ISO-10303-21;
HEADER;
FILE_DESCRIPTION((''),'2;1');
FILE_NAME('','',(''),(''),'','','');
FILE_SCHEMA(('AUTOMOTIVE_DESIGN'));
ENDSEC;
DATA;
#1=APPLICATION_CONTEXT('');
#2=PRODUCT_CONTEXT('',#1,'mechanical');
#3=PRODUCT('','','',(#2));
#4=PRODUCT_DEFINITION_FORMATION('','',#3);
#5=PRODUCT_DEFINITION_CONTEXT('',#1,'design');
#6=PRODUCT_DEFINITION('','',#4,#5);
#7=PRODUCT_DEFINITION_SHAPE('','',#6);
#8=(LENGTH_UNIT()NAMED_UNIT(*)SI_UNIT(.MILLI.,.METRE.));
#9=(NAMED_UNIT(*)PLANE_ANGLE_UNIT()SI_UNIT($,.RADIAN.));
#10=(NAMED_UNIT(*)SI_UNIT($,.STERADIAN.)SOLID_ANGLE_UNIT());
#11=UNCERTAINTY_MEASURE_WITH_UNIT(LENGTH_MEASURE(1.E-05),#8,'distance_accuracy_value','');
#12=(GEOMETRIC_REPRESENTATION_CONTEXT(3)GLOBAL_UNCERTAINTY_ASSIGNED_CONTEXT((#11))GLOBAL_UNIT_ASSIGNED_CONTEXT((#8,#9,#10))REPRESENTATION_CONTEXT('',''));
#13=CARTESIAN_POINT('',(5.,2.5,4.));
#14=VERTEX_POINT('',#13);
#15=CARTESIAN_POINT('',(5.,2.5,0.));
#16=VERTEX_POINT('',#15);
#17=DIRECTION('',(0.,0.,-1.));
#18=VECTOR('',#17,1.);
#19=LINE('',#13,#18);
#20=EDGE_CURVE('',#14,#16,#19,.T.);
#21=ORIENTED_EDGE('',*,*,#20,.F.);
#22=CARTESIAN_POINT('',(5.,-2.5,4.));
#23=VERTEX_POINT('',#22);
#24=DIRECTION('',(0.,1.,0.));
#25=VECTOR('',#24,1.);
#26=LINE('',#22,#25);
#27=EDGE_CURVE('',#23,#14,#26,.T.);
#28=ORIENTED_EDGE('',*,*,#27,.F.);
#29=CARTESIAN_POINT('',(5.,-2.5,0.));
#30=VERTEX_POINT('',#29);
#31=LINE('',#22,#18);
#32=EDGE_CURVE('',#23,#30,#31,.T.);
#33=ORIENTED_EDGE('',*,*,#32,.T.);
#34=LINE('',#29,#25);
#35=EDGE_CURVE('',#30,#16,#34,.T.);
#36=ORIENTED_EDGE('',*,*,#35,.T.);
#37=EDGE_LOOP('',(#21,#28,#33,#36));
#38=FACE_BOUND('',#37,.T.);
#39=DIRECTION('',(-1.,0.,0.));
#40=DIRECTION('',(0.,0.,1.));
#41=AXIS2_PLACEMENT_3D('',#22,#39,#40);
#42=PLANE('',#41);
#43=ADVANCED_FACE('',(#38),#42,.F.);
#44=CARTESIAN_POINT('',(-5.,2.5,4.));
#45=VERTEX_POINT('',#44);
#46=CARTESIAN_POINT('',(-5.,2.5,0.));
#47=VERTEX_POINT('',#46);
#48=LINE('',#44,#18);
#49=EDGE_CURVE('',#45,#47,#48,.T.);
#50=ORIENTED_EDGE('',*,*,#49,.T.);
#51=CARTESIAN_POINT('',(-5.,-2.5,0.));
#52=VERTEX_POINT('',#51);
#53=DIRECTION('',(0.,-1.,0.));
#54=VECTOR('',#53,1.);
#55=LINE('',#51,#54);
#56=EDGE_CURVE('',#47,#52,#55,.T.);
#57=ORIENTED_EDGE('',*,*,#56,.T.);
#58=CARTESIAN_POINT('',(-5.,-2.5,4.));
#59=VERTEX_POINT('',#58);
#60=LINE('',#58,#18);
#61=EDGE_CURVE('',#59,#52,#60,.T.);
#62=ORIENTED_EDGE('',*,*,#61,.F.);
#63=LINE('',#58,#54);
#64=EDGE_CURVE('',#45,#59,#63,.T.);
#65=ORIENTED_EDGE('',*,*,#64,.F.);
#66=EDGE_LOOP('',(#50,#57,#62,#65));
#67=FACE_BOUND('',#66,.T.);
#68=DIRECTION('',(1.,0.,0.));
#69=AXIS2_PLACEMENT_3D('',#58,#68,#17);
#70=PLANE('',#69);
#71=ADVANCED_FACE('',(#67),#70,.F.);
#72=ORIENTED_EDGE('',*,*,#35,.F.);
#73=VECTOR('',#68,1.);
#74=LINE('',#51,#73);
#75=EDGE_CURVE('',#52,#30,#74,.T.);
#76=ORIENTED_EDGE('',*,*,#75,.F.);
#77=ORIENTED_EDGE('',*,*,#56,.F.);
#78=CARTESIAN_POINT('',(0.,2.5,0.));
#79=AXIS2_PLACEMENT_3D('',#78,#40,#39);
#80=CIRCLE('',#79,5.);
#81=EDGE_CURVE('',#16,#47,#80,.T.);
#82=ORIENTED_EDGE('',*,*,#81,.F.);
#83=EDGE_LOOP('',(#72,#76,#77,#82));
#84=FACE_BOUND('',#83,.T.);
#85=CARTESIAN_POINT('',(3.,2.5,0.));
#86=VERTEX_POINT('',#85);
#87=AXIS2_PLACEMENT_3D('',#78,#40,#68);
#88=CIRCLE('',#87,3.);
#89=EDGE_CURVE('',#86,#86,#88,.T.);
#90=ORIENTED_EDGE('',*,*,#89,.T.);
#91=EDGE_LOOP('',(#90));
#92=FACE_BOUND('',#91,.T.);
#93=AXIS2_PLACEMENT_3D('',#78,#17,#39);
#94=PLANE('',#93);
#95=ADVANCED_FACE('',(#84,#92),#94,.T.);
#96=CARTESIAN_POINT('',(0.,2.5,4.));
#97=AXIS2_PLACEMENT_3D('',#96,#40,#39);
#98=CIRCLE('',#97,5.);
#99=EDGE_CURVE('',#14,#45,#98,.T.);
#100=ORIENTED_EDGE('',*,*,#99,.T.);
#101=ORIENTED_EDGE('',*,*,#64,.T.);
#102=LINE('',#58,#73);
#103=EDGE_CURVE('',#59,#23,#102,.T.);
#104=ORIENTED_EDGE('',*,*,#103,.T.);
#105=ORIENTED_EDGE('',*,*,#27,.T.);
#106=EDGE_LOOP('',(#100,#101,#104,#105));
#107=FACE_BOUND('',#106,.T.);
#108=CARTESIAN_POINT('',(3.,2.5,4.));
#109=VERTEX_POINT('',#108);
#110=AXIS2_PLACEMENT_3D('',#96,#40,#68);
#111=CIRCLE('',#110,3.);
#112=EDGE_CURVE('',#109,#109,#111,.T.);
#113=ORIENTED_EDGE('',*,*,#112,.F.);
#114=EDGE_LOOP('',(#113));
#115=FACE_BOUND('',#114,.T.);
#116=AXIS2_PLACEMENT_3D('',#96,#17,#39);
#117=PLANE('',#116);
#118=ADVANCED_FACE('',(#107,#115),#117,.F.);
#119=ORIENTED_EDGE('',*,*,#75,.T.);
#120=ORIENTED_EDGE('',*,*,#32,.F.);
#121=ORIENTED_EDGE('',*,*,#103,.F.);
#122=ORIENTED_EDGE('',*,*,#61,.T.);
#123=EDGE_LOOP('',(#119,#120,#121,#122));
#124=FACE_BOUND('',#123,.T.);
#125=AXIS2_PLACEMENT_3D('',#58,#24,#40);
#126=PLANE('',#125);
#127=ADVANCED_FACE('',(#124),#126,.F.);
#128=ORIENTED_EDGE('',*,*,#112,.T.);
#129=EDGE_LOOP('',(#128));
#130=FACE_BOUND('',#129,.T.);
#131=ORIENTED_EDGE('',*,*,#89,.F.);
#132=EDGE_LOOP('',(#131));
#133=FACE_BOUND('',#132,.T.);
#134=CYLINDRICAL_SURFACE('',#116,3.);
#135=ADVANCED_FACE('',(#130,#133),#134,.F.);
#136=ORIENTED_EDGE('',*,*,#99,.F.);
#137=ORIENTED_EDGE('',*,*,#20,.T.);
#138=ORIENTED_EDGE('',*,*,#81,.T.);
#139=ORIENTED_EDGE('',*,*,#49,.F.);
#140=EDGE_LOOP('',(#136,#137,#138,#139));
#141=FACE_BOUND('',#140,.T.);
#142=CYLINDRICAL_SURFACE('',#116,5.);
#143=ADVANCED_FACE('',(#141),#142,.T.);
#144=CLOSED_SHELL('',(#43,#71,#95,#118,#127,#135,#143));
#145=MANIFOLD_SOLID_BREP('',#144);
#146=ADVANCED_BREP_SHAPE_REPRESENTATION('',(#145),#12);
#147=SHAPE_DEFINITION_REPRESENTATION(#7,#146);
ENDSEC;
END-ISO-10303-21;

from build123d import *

# Parameters (mm, degrees)
SKETCH1_R           = 3
BOSS_EXTRUDE1_DEPTH = 4


with BuildPart() as part:
    # Sketch1 → Boss-Extrude1 (new body)
    with BuildSketch(Plane.XY):
        with BuildLine():
            Line((-5, -2.5), (5, -2.5))
            Line((5, -2.5), (5, 2.5))
            ThreePointArc((5, 2.5), (0, 7.5), (-5, 2.5))
            Line((-5, 2.5), (-5, -2.5))
        make_face()
        with Locations((0, 2.5)):
            Circle(SKETCH1_R, mode=Mode.SUBTRACT)
    extrude(amount=BOSS_EXTRUDE1_DEPTH)


solid = part.part
